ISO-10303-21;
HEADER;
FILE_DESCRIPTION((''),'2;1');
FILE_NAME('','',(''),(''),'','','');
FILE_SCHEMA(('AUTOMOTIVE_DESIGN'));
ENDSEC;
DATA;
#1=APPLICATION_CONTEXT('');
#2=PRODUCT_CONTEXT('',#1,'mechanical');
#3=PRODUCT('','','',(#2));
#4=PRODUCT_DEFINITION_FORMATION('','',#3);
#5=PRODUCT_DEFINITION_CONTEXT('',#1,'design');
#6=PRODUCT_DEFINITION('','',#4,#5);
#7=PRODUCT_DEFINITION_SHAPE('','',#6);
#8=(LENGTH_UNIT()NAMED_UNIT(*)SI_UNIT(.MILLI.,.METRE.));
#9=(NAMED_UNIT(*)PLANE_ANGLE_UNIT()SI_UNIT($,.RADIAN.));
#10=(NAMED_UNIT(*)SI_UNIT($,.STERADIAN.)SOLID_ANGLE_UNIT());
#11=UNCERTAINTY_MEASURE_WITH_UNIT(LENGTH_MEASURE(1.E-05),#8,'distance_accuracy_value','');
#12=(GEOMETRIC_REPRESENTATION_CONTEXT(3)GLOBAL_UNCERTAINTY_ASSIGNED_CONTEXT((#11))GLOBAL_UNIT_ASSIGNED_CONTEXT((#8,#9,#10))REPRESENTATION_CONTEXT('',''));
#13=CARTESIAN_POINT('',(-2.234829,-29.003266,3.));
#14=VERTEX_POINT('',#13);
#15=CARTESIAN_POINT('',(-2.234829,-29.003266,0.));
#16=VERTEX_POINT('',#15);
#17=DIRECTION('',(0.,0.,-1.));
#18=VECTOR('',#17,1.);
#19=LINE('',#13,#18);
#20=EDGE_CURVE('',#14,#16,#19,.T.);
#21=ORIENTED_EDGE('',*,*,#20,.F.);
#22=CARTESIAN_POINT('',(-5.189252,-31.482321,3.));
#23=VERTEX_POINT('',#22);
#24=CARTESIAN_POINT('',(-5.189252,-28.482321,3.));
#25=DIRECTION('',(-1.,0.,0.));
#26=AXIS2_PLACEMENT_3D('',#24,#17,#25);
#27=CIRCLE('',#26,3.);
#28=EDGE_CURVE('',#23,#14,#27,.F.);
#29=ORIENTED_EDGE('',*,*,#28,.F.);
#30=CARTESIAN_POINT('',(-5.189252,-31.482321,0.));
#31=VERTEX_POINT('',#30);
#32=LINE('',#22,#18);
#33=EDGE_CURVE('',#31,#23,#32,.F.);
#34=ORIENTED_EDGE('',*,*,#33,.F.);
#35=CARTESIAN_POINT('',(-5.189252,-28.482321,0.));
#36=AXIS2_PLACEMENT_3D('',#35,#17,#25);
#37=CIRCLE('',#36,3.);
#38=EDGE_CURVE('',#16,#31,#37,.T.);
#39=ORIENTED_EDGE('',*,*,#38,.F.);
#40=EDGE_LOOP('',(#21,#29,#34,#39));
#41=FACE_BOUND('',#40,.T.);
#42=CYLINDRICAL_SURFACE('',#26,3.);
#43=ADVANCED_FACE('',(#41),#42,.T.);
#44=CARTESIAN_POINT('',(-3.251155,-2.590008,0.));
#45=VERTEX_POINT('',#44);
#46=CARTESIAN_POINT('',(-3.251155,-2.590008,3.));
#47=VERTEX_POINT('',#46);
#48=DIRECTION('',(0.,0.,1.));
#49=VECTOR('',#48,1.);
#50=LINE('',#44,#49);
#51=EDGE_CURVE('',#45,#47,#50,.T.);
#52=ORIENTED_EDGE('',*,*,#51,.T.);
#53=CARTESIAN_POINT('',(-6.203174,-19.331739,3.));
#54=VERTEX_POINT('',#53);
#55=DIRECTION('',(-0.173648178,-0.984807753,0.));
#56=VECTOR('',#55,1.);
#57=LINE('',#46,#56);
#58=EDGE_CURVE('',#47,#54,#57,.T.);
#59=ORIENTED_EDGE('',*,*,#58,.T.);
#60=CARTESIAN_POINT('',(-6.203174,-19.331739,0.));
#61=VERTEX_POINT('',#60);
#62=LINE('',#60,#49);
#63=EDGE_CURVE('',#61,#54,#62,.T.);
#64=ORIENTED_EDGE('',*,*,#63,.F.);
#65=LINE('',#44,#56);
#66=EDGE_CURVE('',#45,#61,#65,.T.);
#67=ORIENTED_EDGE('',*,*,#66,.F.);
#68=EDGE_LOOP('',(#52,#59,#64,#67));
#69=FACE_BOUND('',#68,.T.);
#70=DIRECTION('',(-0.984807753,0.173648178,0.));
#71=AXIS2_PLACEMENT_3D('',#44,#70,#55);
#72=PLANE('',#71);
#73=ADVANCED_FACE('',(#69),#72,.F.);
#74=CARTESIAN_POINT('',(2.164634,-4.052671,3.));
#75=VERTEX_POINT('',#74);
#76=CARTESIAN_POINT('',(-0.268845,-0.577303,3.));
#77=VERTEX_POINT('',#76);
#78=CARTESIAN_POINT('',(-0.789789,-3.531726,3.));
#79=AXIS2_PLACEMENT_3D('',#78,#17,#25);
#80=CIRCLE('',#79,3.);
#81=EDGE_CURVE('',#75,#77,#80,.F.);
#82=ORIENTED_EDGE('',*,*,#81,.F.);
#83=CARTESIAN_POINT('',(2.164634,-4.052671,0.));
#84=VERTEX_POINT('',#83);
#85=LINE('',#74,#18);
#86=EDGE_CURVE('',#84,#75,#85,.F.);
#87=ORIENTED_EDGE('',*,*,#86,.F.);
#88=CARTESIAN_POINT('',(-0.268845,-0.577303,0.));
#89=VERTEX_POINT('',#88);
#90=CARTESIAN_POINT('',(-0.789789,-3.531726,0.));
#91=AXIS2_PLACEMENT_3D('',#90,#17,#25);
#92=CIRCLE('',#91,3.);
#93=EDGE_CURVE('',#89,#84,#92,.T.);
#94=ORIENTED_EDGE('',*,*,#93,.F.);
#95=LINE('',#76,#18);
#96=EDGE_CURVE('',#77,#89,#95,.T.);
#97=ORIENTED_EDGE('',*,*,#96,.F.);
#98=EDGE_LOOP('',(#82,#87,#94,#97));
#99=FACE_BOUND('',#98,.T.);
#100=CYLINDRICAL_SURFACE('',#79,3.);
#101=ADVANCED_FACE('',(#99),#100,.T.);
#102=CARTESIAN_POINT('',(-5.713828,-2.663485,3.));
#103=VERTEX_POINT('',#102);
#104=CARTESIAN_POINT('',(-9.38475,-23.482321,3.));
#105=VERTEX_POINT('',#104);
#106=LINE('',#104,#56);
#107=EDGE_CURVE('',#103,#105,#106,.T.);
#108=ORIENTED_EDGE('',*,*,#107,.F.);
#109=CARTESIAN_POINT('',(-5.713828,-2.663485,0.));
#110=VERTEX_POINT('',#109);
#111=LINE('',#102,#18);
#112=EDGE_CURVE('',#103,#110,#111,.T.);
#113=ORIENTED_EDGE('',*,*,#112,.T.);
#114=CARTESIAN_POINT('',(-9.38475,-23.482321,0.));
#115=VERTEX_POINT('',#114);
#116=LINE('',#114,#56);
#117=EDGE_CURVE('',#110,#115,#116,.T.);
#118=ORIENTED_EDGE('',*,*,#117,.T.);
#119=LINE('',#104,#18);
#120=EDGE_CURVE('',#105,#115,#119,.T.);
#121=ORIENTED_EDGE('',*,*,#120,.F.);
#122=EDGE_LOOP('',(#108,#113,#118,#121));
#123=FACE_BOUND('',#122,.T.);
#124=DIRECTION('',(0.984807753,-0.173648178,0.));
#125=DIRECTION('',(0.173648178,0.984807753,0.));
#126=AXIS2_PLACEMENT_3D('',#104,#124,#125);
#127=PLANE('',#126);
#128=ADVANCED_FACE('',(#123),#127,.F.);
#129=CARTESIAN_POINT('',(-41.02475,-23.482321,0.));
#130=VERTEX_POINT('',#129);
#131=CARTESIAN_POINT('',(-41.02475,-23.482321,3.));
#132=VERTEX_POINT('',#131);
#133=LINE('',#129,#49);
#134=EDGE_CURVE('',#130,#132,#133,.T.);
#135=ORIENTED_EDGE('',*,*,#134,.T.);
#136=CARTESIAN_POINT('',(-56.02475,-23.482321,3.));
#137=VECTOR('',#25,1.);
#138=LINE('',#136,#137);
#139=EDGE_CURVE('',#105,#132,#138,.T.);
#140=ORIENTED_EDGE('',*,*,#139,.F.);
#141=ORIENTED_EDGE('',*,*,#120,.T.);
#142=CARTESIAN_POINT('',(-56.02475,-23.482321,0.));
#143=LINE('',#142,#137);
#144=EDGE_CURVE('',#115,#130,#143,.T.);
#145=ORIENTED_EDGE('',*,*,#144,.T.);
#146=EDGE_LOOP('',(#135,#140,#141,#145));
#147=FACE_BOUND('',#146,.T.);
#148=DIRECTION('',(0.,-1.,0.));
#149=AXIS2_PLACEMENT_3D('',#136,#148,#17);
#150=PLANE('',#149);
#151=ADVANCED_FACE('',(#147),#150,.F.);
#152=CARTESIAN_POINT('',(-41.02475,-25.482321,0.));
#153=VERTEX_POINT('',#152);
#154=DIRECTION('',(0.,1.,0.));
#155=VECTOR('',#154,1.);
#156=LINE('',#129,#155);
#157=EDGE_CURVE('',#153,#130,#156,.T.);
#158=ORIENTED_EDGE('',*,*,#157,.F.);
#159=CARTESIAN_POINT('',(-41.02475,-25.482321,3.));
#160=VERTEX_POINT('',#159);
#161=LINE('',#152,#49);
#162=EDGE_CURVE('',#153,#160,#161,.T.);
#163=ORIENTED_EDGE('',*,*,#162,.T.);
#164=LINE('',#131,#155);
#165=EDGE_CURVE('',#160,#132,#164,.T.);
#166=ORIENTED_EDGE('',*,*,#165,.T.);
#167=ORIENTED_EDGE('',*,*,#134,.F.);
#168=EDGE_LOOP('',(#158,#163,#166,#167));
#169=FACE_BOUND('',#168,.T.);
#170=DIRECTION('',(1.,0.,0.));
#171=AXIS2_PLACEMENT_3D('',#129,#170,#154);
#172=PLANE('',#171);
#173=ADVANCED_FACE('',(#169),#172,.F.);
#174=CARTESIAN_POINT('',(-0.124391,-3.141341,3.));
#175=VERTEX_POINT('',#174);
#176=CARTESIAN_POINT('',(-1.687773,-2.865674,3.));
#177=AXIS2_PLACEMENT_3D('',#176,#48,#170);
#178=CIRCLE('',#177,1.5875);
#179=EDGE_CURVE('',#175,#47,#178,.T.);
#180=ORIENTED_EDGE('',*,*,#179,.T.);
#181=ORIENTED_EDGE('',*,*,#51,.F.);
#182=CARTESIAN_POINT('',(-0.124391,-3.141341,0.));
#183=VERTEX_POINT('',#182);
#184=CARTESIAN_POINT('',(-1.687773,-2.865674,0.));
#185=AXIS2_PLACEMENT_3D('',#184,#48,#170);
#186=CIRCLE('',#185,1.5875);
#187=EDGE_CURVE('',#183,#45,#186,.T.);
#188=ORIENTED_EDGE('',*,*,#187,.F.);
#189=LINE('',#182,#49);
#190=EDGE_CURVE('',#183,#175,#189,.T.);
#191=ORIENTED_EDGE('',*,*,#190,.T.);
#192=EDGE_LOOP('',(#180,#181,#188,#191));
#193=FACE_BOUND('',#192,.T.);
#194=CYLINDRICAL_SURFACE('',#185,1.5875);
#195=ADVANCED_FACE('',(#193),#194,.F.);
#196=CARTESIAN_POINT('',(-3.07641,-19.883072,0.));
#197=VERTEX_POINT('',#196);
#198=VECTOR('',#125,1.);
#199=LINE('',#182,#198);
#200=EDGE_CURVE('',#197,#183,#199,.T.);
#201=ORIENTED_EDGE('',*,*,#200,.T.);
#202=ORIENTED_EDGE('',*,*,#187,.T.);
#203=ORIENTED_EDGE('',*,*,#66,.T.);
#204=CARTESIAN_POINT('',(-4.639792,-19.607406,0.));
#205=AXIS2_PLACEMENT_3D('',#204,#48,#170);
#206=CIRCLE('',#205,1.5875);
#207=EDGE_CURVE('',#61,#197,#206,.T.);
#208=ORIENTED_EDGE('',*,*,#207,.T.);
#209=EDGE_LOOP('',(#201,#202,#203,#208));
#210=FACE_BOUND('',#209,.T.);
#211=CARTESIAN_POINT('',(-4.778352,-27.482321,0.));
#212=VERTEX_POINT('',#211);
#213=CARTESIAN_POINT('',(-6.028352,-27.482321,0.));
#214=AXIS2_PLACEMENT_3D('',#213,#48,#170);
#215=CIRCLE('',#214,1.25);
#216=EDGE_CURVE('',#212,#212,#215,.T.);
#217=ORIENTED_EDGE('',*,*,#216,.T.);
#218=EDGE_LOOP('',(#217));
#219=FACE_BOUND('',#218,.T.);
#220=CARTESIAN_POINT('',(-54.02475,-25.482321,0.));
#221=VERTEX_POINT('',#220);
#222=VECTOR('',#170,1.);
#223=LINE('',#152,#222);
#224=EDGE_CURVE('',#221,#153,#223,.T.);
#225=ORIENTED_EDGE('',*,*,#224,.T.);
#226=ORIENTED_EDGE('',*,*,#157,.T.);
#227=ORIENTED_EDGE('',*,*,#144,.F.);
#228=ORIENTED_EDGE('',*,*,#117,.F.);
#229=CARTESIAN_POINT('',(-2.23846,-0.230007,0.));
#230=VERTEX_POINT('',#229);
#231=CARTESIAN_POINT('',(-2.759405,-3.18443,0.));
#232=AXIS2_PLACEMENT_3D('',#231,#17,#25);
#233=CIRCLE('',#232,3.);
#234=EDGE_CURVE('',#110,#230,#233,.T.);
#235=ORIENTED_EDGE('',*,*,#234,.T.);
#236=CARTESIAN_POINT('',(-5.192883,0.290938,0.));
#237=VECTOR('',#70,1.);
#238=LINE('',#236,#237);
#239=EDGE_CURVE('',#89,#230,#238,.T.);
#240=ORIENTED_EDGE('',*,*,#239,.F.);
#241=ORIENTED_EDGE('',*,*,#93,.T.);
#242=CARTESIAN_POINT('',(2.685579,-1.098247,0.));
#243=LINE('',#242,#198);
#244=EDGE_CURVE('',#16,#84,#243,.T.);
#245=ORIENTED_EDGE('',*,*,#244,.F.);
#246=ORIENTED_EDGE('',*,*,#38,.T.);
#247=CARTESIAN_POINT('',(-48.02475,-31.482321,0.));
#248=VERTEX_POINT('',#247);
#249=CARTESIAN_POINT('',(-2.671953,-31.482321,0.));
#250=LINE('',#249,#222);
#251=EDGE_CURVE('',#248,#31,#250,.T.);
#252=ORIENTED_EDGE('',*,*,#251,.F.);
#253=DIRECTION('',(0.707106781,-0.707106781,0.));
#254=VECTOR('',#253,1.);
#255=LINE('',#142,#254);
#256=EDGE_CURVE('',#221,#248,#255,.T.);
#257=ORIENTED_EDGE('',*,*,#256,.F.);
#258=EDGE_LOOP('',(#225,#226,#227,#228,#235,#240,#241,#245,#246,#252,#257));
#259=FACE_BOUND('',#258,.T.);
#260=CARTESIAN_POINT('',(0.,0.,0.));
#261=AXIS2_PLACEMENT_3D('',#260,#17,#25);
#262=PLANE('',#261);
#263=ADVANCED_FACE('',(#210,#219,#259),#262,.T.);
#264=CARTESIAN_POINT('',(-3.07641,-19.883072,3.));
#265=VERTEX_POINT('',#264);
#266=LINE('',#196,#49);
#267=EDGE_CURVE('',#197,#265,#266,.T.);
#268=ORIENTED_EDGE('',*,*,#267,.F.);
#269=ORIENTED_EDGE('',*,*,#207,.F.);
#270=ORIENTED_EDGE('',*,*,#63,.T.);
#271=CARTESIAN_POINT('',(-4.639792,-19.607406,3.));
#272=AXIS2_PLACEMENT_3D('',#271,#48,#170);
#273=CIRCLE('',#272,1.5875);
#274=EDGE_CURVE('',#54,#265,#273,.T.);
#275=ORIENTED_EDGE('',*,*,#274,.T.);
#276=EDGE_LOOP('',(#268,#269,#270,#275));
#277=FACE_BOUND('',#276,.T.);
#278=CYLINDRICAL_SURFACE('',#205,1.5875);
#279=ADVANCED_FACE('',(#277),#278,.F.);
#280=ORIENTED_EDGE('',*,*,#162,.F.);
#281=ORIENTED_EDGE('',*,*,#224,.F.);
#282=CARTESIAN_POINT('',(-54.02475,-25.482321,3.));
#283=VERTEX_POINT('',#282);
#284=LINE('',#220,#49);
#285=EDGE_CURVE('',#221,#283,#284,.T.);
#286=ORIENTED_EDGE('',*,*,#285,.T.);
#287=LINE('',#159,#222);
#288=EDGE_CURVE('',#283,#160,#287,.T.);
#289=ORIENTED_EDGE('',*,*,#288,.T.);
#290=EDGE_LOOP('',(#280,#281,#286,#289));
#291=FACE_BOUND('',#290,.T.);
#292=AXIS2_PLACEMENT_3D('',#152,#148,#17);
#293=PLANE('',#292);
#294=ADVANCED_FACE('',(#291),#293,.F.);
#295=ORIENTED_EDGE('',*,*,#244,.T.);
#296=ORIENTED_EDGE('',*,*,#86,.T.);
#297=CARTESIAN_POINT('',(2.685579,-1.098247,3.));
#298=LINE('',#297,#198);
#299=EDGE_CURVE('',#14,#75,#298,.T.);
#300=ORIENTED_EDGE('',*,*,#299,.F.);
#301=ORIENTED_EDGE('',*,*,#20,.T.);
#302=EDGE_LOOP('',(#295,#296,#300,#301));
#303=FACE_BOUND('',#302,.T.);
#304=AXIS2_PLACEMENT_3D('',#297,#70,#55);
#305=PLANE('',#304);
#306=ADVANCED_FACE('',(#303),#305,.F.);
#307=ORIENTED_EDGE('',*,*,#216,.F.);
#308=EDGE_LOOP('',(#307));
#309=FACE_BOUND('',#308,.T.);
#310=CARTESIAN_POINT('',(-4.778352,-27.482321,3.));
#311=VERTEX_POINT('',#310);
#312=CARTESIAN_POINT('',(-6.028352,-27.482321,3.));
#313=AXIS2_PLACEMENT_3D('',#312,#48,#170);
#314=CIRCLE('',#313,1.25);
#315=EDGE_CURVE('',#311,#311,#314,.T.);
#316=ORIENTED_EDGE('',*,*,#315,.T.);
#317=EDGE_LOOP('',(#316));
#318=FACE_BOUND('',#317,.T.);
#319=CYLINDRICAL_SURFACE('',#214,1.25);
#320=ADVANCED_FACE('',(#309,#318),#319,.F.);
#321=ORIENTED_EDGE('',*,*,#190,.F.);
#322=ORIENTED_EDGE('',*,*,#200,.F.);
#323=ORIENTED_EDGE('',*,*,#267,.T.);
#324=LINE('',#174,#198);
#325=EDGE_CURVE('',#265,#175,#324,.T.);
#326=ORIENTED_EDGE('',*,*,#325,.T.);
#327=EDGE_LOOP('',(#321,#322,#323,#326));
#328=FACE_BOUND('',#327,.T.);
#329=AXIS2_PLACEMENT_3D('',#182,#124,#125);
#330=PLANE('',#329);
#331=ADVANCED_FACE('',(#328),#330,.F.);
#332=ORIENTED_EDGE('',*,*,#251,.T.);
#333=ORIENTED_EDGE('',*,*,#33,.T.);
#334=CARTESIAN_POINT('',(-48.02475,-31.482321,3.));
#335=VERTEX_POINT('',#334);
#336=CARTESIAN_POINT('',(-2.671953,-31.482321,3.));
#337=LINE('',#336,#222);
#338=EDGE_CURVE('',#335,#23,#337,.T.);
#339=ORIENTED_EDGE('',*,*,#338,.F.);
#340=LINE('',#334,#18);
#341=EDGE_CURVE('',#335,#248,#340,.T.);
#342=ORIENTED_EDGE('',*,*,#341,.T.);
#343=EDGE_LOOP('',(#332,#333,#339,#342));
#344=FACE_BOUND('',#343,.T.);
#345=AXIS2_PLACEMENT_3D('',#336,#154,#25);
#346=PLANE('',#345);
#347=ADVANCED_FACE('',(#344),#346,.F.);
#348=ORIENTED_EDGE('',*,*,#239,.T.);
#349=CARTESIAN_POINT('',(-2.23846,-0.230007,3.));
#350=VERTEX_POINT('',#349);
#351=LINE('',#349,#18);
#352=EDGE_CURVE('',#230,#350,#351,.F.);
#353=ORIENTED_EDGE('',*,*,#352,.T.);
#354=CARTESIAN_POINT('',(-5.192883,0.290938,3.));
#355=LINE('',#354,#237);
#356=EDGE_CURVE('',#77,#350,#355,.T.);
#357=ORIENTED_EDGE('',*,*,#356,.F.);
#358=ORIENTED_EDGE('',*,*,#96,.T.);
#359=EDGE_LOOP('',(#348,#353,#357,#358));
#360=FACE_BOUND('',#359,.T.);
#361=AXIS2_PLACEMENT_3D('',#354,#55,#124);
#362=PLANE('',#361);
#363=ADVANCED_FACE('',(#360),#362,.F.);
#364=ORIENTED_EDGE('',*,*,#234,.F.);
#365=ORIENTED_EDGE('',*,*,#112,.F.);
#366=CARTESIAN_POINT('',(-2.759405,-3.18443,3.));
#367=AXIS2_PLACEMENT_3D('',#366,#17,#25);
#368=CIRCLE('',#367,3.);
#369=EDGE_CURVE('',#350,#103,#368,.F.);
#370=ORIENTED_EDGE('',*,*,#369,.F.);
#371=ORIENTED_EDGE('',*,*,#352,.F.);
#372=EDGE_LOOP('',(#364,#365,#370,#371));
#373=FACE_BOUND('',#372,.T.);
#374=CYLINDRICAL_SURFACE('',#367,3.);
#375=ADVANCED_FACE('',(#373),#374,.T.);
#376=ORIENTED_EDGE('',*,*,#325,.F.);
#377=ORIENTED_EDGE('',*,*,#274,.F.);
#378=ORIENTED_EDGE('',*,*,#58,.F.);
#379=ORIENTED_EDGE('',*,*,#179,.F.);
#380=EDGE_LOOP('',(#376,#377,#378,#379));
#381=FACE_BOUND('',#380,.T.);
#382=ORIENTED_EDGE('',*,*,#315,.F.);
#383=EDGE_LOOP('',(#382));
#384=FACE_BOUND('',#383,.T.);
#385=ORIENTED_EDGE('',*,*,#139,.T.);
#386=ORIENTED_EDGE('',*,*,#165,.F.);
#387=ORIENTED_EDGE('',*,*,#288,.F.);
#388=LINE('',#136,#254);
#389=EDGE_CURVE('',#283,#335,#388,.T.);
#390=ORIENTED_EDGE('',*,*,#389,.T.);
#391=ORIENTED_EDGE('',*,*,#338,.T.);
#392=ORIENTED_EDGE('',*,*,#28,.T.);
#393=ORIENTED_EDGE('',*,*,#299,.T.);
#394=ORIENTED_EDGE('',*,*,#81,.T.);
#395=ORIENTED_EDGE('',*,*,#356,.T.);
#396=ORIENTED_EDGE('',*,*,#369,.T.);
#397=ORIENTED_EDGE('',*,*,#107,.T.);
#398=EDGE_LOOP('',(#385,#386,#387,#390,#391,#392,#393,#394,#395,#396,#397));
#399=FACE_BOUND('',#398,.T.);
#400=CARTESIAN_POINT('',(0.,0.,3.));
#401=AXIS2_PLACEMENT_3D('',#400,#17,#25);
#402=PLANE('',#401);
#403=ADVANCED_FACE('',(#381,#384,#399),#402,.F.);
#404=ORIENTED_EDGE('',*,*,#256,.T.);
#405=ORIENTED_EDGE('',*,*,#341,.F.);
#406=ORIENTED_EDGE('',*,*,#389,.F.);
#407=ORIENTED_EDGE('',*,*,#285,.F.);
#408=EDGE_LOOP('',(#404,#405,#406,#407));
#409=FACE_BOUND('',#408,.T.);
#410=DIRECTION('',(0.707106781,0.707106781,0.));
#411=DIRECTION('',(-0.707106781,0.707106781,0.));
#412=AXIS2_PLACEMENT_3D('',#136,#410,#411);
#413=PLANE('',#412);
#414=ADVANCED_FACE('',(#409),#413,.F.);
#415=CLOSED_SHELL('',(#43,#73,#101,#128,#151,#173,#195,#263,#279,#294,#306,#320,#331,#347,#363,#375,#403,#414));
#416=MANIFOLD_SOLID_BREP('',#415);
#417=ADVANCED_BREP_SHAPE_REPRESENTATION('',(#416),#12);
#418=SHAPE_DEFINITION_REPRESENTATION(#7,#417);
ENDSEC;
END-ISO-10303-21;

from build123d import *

# Parameters (mm, degrees)
BOSS_EXTRUDE1_DEPTH = 3
SKETCH2_R           = 1.25
CUT_EXTRUDE1_DEPTH  = 3
FILLET1_R           = 3


with BuildPart() as part:
    # Sketch1 → Boss-Extrude1 (new body)
    with BuildSketch(Plane.XY):
        Polygon((-56.024750416, -23.482321131), (-9.384750416, -23.482321131), (-5.192883407, 0.290938026), (2.685578617, -1.098247395), (-2.671953367, -31.482321131), (-48.024750416, -31.482321131), align=None)
    extrude(amount=BOSS_EXTRUDE1_DEPTH)

    # Sketch2 → Cut-Extrude1 (cut)
    with BuildSketch(Plane.XY.offset(3)):
        with Locations((-6.028351891, -27.482321131)):
            Circle(SKETCH2_R)
        Polygon((-56.024750416, -23.482321131), (-41.024750416, -23.482321131), (-41.024750416, -25.482321131), (-54.024750416, -25.482321131), align=None)
        with BuildLine():
            Line((-3.251155147, -2.590007585), (-6.203174167, -19.331739386))
            ThreePointArc((-6.203174167, -19.331739386), (-4.915458342, -21.170788176), (-3.076409552, -19.88307235))
            Line((-3.076409552, -19.88307235), (-0.124390531, -3.141340549))
            ThreePointArc((-0.124390531, -3.141340549), (-1.412106357, -1.302291759), (-3.251155147, -2.590007585))
        make_face()
    extrude(amount=-CUT_EXTRUDE1_DEPTH, mode=Mode.SUBTRACT)

    # Fillet1
    fillet1_edges = [part.edges().sort_by_distance(p)[0] for p in [
        (-5.192883407, 0.290938026, 1.5),
        (2.685578617, -1.098247395, 1.5),
        (-2.671953367, -31.482321131, 1.5),
    ]]
    fillet(fillet1_edges, radius=FILLET1_R)


solid = part.part
